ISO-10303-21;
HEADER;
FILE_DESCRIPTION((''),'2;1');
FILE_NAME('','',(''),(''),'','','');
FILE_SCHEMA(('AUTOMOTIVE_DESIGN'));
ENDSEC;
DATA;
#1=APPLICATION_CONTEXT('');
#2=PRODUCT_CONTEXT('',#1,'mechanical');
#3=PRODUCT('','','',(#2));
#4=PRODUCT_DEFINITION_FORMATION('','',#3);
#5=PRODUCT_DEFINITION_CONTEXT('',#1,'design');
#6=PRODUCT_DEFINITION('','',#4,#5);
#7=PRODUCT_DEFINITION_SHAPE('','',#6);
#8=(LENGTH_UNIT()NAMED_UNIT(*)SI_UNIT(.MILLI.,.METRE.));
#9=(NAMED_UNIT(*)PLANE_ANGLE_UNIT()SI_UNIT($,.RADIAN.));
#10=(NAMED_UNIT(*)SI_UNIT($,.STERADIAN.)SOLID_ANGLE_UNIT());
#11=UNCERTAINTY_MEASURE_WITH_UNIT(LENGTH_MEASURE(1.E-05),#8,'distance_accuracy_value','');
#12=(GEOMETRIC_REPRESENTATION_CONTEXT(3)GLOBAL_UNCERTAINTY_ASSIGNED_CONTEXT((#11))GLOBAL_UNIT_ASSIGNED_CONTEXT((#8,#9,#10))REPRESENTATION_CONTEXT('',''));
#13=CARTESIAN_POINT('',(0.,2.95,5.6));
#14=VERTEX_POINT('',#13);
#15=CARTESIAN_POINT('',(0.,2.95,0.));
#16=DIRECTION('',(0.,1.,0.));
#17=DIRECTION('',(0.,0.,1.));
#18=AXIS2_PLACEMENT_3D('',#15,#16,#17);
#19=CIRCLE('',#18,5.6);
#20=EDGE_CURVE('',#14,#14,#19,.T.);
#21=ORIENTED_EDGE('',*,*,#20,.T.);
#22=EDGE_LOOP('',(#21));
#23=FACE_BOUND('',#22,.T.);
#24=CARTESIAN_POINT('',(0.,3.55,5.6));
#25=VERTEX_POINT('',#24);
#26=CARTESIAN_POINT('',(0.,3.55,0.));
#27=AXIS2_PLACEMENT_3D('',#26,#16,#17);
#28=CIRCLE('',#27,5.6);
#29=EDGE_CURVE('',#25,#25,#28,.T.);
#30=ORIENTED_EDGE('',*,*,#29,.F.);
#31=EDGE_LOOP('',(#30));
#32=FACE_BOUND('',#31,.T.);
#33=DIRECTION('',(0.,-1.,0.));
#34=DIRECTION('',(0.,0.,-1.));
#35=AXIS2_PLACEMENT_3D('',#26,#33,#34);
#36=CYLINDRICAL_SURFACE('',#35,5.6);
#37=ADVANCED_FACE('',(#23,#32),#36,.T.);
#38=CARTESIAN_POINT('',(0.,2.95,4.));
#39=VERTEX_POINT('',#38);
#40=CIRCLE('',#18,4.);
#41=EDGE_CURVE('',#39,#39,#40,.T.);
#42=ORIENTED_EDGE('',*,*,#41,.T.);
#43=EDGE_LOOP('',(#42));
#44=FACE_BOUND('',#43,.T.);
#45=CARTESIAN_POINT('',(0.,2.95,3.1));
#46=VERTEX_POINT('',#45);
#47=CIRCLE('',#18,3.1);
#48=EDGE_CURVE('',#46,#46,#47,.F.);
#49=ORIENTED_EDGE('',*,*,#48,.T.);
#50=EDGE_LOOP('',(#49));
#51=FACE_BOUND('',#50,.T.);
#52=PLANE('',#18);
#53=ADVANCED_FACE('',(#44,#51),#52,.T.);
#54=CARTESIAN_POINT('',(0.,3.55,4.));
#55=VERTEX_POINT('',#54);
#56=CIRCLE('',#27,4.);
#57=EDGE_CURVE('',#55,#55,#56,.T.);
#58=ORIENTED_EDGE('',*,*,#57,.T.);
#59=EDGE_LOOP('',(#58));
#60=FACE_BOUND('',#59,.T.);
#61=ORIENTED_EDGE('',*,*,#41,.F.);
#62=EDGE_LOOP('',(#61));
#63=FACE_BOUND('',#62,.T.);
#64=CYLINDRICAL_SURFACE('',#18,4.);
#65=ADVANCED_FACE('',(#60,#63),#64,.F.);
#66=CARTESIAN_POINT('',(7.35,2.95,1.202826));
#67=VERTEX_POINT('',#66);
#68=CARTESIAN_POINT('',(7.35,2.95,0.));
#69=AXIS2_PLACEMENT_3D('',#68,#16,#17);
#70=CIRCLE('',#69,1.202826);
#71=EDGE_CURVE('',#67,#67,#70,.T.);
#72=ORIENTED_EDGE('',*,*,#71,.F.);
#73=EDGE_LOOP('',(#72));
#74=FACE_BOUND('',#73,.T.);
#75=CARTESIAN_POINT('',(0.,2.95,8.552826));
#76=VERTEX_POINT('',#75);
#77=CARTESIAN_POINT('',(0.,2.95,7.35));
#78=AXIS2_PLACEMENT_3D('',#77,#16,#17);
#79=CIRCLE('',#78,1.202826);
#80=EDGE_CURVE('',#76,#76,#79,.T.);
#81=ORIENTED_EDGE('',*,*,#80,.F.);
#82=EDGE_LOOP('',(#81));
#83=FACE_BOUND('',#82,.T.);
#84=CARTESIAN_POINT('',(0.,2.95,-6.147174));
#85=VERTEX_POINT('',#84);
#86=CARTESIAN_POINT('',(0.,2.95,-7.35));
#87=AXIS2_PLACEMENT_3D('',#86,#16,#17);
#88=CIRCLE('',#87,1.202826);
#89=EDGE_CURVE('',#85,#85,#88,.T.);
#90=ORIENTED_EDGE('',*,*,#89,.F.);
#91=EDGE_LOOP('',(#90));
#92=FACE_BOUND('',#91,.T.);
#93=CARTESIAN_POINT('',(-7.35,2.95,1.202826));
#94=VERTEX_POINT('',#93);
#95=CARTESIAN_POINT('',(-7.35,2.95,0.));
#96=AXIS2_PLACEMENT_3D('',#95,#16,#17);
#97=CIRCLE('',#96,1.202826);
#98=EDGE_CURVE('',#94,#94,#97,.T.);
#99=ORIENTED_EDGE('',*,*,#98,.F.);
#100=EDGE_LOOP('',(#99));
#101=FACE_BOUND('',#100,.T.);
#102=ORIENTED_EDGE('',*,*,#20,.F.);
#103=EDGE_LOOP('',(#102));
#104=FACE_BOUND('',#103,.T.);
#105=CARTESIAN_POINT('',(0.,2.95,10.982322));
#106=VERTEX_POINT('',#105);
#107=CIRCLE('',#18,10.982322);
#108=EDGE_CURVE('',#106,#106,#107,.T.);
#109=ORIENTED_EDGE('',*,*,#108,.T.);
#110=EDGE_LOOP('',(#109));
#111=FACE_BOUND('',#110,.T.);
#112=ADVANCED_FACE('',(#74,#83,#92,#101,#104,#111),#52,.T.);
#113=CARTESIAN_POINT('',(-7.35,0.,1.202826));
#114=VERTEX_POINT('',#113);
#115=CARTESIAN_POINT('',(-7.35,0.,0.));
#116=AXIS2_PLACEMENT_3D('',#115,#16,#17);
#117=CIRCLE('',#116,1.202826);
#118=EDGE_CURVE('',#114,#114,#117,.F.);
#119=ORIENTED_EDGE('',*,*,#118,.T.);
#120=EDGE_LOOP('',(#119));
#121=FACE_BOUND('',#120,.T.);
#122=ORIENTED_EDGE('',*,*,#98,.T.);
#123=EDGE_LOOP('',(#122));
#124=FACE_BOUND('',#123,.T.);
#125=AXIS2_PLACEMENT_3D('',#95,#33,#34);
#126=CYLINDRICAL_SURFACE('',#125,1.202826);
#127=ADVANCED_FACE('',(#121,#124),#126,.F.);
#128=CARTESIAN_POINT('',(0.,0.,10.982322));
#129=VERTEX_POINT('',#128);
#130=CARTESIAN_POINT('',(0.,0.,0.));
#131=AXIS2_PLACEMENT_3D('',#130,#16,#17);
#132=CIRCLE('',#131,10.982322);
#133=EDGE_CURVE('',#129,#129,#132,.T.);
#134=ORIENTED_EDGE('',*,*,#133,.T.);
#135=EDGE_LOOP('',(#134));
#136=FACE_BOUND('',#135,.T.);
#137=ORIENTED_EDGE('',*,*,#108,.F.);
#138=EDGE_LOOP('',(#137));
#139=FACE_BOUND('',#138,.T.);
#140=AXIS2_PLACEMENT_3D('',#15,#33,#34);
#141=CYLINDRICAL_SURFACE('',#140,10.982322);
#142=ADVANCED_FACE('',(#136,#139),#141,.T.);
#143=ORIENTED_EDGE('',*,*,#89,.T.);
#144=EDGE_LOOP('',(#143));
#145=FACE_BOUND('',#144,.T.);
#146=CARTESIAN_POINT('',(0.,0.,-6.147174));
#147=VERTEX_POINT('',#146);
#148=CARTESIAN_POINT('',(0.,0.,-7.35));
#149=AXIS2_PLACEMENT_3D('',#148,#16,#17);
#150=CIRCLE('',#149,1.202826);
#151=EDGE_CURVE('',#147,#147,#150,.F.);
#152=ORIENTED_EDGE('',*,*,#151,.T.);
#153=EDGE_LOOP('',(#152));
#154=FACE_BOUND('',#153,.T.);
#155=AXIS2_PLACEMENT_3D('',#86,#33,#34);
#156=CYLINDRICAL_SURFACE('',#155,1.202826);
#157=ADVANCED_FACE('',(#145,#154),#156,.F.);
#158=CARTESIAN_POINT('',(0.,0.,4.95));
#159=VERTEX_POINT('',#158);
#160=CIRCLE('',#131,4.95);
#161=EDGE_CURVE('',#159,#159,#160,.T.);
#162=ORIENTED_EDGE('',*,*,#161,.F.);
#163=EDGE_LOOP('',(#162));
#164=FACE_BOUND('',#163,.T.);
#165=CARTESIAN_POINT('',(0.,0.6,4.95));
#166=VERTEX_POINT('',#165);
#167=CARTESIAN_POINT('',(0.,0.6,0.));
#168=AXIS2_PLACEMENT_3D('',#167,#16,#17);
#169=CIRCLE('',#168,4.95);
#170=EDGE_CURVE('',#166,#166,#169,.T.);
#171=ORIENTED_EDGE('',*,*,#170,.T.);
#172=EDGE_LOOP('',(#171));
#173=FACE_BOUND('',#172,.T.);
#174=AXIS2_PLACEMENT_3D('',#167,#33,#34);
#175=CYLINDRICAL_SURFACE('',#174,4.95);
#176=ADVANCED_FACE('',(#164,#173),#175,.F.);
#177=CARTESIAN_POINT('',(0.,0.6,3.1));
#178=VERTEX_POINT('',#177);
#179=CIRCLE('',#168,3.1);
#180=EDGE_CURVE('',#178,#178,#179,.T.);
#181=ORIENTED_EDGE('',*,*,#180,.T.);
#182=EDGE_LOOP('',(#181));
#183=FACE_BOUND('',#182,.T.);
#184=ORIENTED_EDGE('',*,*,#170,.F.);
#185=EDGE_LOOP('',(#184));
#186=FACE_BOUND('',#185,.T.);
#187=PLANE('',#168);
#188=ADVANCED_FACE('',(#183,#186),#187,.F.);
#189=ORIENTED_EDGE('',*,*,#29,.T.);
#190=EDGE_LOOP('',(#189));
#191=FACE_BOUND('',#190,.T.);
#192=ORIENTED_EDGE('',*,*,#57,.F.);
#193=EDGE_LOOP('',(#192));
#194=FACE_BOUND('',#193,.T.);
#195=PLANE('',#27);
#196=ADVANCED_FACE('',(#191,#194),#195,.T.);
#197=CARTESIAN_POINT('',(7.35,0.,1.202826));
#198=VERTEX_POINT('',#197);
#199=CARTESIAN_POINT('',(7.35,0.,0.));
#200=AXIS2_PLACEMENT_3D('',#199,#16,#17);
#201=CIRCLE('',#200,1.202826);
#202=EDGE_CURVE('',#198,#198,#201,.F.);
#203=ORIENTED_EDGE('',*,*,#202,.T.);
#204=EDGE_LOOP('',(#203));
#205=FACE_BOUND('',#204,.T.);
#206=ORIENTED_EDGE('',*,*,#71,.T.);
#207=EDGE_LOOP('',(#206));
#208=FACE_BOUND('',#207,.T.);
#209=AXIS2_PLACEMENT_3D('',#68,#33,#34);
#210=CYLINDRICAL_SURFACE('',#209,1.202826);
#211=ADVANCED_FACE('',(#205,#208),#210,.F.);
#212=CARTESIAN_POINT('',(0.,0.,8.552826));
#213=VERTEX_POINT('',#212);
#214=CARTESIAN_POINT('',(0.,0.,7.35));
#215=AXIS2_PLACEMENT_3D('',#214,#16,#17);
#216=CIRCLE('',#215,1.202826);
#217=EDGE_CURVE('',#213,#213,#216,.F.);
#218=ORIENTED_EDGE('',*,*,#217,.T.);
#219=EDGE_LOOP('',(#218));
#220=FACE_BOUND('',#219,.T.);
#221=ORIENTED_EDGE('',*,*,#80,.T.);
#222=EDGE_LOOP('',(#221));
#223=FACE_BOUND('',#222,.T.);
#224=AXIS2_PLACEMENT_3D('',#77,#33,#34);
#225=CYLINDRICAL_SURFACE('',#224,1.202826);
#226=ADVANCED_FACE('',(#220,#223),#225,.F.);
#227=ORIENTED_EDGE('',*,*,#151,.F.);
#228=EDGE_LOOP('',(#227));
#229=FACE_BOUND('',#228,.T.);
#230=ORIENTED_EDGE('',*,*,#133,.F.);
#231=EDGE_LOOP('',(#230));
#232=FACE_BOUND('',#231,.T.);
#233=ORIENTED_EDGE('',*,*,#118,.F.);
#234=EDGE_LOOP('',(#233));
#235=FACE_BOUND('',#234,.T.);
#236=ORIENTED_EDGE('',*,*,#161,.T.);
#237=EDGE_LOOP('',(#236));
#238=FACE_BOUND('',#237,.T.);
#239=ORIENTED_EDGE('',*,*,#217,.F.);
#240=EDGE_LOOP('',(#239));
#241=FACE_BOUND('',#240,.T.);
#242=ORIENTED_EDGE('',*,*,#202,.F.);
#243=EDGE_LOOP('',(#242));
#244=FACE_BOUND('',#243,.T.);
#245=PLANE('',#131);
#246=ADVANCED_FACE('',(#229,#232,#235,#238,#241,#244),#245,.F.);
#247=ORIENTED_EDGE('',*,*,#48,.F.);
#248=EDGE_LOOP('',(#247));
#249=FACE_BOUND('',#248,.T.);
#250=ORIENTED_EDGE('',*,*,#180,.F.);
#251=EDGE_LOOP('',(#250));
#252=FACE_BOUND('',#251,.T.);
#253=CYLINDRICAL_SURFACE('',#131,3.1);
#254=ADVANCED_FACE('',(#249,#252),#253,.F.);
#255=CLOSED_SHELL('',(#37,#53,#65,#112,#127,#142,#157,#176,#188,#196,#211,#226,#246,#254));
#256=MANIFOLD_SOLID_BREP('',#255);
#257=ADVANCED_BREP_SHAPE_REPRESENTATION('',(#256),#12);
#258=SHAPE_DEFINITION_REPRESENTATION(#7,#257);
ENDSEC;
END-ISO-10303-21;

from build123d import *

# Parameters (mm, degrees)
CROQUIS_BASE_R             = 10.982321859
SALIENTE_EXTRUIR1_DEPTH    = 2.95
CORTAR_EXTRUIR1_DEPTH      = 16.809025486
CORTAR_EXTRUIR1_DEPTH_BACK = 16.809025486
CROQUIS_BASE_3_R           = 3
CROQUIS_BASE_3_R_2         = 1.202825727
CROQUIS_BASE_4_R           = 4.95
CORTAR_EXTRUIR2_DEPTH      = 0.6
CROQUIS2_R                 = 5.6
SALIENTE_EXTRUIR2_DEPTH    = 0.6
CROQUIS3_R                 = 3.1
CORTAR_EXTRUIR3_DEPTH      = 16.931895268
CROQUIS3_3_R               = 4
CORTAR_EXTRUIR4_DEPTH      = 0.6


with BuildPart() as part:
    # Croquis base → Saliente-Extruir1 (new body)
    with BuildSketch(Plane(origin=(0, 0, 0), x_dir=(1, 0, 0), z_dir=(0, 1, 0))):
        Circle(CROQUIS_BASE_R)
    extrude(amount=SALIENTE_EXTRUIR1_DEPTH)

    # Croquis base<3> → Cortar-Extruir1 (cut, two sides: drawn at the far end of the back side and taken through both)
    with BuildSketch(Plane(origin=(0, 0, 0), x_dir=(1, 0, 0), z_dir=(0, 1, 0)).offset(-CORTAR_EXTRUIR1_DEPTH_BACK)):
        Circle(CROQUIS_BASE_3_R)
        with Locations((-7.35, 0)):
            Circle(CROQUIS_BASE_3_R_2)
        with Locations((0, 7.35)):
            Circle(CROQUIS_BASE_3_R_2)
        with Locations((7.35, 0)):
            Circle(CROQUIS_BASE_3_R_2)
        with Locations((0, -7.35)):
            Circle(CROQUIS_BASE_3_R_2)
    extrude(amount=CORTAR_EXTRUIR1_DEPTH + CORTAR_EXTRUIR1_DEPTH_BACK, mode=Mode.SUBTRACT)

    # Croquis base<4> → Cortar-Extruir2 (cut)
    with BuildSketch(Plane(origin=(0, 0, 0), x_dir=(1, 0, 0), z_dir=(0, 1, 0))):
        Circle(CROQUIS_BASE_4_R)
    extrude(amount=CORTAR_EXTRUIR2_DEPTH, mode=Mode.SUBTRACT)

    # Croquis2 → Saliente-Extruir2 (add)
    with BuildSketch(Plane(origin=(0, 2.95, 0), x_dir=(1, 0, 0), z_dir=(0, 1, 0))):
        Circle(CROQUIS2_R)
    extrude(amount=SALIENTE_EXTRUIR2_DEPTH)

    # Croquis3 → Cortar-Extruir3 (cut, through all)
    with BuildSketch(Plane(origin=(0, 3.55, 0), x_dir=(1, 0, 0), z_dir=(0, 1, 0))):
        Circle(CROQUIS3_R)
    extrude(amount=-CORTAR_EXTRUIR3_DEPTH, mode=Mode.SUBTRACT)

    # Croquis3<3> → Cortar-Extruir4 (cut)
    with BuildSketch(Plane(origin=(0, 3.55, 0), x_dir=(1, 0, 0), z_dir=(0, 1, 0))):
        Circle(CROQUIS3_3_R)
    extrude(amount=-CORTAR_EXTRUIR4_DEPTH, mode=Mode.SUBTRACT)


solid = part.part
